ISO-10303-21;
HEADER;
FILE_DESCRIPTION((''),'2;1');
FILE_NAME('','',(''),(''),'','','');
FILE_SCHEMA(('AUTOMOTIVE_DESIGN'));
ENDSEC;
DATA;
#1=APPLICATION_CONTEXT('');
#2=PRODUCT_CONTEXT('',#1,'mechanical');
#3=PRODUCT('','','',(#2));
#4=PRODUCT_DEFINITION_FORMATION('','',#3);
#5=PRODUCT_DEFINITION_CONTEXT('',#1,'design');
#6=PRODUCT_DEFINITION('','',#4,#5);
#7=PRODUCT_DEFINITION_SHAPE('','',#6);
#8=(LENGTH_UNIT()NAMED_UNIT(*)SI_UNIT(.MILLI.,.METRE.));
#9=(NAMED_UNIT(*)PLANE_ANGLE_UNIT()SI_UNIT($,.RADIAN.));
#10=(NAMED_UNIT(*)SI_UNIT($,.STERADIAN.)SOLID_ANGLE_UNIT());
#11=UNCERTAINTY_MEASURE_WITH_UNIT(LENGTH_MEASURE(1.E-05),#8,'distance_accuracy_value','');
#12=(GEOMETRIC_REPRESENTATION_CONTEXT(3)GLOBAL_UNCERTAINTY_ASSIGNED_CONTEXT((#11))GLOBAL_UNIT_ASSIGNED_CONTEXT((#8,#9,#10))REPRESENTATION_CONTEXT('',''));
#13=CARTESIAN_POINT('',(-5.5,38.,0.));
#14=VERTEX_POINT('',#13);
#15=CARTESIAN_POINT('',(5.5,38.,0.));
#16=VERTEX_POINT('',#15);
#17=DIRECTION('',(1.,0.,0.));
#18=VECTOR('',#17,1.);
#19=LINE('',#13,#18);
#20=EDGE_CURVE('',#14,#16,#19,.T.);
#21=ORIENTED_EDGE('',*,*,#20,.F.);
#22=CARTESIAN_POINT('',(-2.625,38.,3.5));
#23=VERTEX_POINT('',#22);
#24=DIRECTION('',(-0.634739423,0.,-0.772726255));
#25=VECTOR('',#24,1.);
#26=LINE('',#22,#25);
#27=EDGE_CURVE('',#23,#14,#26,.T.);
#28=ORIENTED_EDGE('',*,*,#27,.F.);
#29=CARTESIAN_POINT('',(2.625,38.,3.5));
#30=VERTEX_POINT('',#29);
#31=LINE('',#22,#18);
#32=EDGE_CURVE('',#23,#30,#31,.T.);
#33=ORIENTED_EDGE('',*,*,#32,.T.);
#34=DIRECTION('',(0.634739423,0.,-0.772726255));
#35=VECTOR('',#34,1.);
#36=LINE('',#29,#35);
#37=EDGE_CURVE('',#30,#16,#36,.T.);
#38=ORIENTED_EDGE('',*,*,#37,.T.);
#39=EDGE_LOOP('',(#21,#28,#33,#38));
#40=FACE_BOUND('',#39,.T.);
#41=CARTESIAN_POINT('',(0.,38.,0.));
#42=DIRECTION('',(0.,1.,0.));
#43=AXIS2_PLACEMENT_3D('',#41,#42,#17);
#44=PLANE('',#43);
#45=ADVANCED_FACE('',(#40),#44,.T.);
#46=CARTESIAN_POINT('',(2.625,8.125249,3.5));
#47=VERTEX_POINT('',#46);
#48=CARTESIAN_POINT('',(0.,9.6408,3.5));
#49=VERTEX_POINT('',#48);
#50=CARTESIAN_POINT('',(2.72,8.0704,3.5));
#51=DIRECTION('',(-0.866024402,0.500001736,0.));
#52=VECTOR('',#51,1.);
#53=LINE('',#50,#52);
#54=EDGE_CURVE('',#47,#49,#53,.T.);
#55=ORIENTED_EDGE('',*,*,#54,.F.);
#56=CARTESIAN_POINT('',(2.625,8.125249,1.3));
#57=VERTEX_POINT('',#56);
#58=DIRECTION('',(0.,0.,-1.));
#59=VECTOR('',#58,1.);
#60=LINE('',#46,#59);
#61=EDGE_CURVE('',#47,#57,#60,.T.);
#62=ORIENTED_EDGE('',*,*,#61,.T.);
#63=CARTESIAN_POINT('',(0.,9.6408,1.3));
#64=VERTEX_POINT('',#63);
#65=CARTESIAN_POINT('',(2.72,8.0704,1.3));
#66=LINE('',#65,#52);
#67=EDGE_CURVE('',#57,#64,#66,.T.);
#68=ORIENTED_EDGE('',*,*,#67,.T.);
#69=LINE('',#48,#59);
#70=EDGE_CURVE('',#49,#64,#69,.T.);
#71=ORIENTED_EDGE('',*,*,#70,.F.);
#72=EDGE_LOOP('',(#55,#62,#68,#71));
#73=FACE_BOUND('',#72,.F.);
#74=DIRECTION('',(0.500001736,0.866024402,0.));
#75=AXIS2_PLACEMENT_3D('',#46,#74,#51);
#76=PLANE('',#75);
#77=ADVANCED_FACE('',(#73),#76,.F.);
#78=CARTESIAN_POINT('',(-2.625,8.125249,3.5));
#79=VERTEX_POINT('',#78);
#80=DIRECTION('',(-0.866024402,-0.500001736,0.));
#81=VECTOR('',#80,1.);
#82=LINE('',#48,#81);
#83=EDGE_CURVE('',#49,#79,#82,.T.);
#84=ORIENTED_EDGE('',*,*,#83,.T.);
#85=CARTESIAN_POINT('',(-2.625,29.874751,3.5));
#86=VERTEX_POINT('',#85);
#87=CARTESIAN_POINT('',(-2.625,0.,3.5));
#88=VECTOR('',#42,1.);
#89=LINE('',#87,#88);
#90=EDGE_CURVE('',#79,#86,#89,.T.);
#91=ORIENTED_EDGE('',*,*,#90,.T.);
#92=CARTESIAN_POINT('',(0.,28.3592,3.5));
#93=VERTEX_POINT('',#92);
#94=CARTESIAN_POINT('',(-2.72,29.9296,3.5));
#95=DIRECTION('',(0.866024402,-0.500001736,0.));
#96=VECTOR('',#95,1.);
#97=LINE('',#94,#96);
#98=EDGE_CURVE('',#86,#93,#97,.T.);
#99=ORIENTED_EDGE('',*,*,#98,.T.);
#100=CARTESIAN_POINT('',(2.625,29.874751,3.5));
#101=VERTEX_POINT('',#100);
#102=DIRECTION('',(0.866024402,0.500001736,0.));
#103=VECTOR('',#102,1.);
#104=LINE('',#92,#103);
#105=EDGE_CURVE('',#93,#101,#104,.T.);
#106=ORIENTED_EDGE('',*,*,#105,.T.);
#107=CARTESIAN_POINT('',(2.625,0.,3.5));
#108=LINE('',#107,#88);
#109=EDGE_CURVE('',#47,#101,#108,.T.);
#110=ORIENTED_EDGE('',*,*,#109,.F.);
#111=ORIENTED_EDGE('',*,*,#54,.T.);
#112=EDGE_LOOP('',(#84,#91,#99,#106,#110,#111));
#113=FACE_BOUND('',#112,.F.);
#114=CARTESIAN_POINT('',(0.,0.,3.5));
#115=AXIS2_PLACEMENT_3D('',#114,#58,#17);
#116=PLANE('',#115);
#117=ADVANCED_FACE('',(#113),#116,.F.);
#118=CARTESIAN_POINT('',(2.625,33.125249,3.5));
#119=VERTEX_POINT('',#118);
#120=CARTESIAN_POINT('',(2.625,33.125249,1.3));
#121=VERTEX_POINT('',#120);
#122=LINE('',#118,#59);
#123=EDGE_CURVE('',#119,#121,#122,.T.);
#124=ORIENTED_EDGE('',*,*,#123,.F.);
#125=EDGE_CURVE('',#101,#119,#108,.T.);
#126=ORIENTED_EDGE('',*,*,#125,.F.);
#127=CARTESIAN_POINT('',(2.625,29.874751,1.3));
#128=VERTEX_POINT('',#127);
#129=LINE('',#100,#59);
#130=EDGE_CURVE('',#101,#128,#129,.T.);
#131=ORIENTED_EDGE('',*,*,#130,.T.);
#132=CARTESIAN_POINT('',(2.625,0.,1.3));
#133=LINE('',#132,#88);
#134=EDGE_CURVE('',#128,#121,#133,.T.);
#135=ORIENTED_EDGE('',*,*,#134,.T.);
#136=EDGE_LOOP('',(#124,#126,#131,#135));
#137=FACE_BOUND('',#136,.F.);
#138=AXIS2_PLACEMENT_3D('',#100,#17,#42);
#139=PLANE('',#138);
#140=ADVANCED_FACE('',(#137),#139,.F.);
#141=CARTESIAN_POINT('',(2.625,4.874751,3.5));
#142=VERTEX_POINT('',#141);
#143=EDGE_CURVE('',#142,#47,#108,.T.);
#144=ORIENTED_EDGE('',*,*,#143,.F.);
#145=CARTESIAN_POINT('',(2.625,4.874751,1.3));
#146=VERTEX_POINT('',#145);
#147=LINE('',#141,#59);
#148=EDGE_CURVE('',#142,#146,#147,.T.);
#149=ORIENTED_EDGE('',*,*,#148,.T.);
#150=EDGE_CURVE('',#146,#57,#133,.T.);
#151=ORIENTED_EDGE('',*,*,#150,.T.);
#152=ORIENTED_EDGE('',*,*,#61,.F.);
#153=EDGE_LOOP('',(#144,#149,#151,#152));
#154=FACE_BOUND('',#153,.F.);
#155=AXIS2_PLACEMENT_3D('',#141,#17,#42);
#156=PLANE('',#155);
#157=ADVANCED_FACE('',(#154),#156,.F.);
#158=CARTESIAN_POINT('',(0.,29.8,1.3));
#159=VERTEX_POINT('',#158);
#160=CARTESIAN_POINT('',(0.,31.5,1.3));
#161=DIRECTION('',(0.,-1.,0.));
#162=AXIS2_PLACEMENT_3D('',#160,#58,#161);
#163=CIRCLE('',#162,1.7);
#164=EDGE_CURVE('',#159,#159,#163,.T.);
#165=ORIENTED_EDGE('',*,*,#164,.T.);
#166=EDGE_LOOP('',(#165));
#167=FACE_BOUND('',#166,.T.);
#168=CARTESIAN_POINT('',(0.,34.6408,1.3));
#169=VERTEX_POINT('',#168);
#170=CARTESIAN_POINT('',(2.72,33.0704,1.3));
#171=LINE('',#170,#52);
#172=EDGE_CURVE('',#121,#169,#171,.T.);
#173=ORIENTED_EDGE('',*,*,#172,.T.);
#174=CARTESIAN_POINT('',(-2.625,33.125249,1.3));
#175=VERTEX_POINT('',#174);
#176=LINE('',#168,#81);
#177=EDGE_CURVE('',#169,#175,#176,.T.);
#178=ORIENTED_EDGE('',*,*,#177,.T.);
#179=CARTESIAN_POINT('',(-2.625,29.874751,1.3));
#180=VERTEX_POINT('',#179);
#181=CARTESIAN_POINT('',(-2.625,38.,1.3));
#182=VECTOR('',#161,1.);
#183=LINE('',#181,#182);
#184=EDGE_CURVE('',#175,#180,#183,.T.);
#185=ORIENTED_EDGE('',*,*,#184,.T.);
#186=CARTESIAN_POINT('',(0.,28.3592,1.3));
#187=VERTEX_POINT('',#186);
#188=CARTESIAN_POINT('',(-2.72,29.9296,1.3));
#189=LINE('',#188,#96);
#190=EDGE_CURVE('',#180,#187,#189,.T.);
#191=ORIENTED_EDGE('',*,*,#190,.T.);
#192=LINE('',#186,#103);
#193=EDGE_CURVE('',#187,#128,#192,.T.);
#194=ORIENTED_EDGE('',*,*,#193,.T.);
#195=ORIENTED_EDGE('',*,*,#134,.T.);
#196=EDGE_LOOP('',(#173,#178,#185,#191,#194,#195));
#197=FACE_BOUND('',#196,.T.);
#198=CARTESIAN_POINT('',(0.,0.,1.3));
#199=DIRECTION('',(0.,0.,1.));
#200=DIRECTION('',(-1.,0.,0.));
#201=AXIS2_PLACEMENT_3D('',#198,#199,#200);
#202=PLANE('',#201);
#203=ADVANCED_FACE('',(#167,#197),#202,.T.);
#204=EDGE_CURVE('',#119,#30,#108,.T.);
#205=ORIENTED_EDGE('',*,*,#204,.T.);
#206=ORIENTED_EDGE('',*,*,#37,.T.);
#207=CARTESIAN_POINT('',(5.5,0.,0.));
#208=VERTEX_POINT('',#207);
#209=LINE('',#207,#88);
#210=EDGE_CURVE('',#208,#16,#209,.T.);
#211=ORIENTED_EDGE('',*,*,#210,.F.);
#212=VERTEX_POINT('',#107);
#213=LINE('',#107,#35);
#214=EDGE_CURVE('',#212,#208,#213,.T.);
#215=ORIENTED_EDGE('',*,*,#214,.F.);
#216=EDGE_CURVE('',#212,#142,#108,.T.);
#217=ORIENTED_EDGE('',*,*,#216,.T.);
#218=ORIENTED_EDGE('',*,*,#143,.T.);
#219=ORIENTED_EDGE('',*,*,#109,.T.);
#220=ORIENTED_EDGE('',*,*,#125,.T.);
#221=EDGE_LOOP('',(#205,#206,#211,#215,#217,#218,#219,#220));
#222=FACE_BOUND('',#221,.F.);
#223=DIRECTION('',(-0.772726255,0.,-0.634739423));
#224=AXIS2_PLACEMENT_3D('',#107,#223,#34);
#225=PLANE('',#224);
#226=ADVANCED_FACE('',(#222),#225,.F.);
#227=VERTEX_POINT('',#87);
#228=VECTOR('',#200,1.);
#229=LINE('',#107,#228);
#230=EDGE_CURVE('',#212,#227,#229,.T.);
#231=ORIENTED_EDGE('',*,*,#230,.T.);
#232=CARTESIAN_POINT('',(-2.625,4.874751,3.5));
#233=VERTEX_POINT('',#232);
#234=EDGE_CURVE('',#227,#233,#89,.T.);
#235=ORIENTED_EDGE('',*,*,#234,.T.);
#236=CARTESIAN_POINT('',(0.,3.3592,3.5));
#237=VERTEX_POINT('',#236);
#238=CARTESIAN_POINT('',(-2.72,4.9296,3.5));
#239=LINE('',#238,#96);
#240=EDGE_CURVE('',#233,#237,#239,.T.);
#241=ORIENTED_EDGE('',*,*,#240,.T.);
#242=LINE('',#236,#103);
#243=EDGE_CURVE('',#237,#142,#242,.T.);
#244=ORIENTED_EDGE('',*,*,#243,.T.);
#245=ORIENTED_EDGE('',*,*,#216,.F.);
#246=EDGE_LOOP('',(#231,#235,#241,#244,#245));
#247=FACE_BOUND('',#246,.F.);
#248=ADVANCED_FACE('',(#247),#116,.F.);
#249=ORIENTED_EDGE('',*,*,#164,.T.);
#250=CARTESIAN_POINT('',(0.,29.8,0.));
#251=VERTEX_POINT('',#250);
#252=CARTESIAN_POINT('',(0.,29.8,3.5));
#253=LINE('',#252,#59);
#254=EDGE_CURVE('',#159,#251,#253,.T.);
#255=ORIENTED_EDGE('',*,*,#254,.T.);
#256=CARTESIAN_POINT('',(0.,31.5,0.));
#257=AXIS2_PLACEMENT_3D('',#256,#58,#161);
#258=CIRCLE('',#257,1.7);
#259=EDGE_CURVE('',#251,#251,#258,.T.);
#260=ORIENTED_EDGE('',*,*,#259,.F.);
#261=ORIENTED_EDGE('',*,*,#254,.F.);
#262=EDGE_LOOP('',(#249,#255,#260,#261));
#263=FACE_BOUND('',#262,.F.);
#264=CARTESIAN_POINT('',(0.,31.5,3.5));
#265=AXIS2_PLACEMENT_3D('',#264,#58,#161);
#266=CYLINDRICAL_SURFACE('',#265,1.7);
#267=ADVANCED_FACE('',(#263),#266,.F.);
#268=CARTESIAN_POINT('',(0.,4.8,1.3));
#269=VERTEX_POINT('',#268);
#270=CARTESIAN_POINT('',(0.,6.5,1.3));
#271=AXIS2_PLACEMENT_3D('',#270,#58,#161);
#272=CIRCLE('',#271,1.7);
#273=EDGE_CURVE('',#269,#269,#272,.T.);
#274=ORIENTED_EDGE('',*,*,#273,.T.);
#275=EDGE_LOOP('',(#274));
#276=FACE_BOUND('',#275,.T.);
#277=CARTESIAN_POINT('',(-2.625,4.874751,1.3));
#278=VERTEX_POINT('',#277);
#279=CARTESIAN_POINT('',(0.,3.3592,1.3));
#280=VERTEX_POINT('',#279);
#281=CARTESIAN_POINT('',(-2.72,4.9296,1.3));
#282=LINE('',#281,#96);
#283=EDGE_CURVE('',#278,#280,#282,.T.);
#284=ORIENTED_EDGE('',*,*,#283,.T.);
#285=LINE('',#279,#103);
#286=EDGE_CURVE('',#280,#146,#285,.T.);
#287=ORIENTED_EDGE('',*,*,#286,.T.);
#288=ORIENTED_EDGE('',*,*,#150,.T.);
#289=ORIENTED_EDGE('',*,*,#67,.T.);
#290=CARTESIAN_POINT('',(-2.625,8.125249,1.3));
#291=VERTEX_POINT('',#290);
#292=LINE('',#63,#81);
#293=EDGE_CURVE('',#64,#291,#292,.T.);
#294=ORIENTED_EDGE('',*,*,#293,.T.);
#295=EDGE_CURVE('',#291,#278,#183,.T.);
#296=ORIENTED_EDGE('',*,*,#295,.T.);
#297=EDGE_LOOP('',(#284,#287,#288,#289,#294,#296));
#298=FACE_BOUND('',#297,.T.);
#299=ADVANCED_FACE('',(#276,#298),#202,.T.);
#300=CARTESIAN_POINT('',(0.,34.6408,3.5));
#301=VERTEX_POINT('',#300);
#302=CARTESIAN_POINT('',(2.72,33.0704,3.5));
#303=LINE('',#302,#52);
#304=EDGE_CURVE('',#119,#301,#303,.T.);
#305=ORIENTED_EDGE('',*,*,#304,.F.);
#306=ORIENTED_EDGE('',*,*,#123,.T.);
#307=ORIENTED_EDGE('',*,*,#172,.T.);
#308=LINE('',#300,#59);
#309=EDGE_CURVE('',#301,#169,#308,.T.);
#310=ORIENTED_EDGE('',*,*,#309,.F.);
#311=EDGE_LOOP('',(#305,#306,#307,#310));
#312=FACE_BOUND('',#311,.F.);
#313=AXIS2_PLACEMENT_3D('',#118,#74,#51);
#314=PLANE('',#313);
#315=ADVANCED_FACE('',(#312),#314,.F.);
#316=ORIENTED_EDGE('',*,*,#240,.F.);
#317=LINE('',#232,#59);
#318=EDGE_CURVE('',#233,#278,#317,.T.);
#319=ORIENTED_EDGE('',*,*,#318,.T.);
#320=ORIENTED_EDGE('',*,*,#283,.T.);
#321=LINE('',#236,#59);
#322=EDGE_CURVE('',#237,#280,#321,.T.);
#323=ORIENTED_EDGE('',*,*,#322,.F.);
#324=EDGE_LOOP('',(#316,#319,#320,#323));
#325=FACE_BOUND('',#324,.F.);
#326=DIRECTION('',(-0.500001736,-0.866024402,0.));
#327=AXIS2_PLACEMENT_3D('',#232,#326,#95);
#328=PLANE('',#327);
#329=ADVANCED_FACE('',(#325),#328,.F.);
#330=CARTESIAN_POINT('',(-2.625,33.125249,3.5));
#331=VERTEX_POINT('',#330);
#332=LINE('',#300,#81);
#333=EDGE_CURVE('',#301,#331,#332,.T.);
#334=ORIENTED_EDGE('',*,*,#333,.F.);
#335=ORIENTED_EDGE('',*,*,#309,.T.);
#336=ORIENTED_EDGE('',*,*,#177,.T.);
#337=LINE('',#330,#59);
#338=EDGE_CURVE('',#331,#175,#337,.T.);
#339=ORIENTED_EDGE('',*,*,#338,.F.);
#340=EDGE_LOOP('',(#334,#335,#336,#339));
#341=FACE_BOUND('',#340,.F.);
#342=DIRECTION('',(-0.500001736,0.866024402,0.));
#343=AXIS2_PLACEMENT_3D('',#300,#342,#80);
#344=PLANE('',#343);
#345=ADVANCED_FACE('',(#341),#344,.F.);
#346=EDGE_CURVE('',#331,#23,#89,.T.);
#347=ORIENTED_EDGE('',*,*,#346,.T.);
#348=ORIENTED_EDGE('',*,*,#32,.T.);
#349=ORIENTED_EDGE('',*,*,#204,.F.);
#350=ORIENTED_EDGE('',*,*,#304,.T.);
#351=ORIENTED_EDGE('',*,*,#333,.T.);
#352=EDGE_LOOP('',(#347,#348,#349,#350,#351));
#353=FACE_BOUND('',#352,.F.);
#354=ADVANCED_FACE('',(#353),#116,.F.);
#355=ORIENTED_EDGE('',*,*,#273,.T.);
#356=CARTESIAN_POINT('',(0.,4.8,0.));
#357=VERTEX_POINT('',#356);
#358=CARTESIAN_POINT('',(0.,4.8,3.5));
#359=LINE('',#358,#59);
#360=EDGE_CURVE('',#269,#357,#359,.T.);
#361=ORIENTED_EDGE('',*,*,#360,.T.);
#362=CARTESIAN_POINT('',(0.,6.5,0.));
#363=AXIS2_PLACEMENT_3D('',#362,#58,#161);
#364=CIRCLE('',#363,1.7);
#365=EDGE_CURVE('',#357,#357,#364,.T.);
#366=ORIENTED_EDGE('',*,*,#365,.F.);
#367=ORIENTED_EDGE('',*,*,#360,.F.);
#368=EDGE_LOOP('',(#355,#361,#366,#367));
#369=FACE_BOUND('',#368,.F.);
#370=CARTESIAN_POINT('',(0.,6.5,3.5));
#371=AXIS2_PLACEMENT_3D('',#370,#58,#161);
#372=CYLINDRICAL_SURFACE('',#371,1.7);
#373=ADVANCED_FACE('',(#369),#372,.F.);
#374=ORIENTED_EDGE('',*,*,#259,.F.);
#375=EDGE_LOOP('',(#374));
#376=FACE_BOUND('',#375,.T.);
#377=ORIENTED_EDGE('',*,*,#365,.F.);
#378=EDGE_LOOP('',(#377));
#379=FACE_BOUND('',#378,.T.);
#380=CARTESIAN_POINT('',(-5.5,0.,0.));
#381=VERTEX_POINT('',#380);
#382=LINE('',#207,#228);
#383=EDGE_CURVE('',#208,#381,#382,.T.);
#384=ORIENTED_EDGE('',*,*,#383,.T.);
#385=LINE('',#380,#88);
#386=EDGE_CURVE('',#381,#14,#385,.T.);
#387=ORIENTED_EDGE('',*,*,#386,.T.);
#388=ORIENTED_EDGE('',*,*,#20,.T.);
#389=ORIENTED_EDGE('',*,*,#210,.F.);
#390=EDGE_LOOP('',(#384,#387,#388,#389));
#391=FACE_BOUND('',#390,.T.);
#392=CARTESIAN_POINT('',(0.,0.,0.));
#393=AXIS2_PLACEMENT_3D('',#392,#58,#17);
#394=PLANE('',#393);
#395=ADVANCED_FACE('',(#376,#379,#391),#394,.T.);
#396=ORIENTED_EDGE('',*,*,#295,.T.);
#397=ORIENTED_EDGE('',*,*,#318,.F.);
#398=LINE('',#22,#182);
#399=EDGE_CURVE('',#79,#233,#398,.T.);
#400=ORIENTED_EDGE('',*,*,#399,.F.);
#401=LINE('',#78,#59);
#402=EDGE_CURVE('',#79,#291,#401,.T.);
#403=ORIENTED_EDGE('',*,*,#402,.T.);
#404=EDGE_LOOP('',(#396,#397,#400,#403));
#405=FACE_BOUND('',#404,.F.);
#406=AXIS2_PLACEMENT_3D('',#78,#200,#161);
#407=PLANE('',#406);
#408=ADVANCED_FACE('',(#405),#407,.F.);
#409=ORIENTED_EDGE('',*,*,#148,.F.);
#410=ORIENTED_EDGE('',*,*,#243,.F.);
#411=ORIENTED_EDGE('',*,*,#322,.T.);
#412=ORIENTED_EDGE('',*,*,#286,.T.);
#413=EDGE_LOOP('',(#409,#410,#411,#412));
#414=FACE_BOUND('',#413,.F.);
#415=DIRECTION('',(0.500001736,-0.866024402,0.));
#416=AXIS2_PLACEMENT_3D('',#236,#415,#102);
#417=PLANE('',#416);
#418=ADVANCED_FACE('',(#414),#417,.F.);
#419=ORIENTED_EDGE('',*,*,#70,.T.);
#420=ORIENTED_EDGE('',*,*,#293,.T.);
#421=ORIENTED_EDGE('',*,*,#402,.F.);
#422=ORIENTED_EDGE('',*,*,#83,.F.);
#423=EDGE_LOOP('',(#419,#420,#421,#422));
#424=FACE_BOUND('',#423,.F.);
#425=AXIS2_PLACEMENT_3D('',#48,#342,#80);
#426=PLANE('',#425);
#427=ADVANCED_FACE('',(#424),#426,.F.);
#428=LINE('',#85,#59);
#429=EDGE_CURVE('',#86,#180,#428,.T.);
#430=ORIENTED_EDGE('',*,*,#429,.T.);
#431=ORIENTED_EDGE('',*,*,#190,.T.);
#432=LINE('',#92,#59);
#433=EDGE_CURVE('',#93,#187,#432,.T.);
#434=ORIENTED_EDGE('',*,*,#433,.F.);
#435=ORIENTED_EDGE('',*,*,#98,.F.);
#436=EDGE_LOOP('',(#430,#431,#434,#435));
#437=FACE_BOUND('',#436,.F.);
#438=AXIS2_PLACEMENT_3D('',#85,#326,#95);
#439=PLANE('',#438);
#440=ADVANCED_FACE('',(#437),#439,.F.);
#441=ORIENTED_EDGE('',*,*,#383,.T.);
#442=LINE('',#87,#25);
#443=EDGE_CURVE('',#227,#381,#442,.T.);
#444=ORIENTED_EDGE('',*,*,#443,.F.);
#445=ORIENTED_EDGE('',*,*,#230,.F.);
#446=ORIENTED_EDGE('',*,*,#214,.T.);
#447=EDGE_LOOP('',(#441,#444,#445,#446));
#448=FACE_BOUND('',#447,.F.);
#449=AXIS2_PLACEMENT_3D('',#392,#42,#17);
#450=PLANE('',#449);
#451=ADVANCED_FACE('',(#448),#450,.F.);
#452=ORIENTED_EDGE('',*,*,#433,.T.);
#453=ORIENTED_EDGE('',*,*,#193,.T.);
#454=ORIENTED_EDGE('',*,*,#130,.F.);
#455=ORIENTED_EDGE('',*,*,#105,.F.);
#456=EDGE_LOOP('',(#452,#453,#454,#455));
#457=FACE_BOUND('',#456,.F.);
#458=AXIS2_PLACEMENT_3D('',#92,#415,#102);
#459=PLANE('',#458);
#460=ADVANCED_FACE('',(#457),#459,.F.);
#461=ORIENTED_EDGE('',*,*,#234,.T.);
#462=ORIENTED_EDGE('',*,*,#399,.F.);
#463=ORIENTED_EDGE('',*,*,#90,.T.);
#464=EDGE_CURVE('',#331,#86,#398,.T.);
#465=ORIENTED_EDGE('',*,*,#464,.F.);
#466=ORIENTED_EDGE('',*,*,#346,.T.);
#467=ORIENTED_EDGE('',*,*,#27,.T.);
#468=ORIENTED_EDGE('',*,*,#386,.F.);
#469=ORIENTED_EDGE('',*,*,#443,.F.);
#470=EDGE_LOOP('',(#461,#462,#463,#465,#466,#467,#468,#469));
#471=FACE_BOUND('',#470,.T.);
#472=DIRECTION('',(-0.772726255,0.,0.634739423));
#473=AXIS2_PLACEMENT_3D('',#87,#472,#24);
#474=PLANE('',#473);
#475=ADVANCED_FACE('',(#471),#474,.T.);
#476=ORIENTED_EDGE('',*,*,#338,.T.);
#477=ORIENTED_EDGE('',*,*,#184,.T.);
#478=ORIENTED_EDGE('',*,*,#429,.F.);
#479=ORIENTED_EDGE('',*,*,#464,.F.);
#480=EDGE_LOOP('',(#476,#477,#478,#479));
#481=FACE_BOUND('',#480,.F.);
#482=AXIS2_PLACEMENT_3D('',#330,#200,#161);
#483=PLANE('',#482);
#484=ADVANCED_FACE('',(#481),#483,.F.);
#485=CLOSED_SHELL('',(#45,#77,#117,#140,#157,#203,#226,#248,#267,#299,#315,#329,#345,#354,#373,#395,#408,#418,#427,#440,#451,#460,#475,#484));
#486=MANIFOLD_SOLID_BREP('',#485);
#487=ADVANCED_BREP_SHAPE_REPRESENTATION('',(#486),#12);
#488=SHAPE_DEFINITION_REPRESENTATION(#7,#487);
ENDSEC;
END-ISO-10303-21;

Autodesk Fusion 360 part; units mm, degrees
sketch "Sketch1" plane through (0, 0, 0) normal (0, 1, 0) x (1, 0, 0)
  line L0 (0, 0) -> (5.5, 0)
  line L1 (0, -3.5) -> (2.625, -3.5)
  line L2 (2.625, -3.5) -> (5.5, 0)
  line L3 (0, -1.75) -> (0, -22.5)
  line L4 (0, -3.5) -> (-2.625, -3.5)
  line L5 (-2.625, -3.5) -> (-5.5, 0)
  line L6 (0, 0) -> (-5.5, 0)
  dimension "d1" = 5.5
  dimension "d2" = 2.625
  dimension "d3" = 3.5
extrude "Extrude1" add sketch "Sketch1" along normal blind 38
sketch "Sketch2" plane through (0, 0, 3.5) normal (0, 0, 1) x (-1, 0, 0)
  line L0 (2.625, 0) -> (-2.625, 0)
  line L1 (-2.625, 0) -> (-2.625, -38)
  line L2 (-2.625, -38) -> (2.625, -38)
  line L3 (2.625, -38) -> (2.625, 0)
  line L4 (0, -38) -> (0, 0) construction
  line L5 (2.72, -29.9296) -> (0, -28.3592)
  line L6 (0, -28.3592) -> (-2.72, -29.9296)
  line L7 (-2.72, -29.9296) -> (-2.72, -33.0704)
  line L8 (-2.72, -33.0704) -> (0, -34.6408)
  line L9 (0, -34.6408) -> (2.72, -33.0704)
  line L10 (2.72, -33.0704) -> (2.72, -29.9296)
  line L11 (2.72, -4.9296) -> (0, -3.3592)
  line L12 (0, -3.3592) -> (-2.72, -4.9296)
  line L13 (-2.72, -4.9296) -> (-2.72, -8.0704)
  line L14 (-2.72, -8.0704) -> (0, -9.6408)
  line L15 (0, -9.6408) -> (2.72, -8.0704)
  line L16 (2.72, -8.0704) -> (2.72, -4.9296)
  point P0 (0, -31.5)
  point P1 (0, -6.5)
  dimension "d6" = 2.72
  dimension "d7" = 2.72
  dimension "d8" = 25
  dimension "d9" = 6.5
extrude "Extrude2" cut sketch "Sketch2" against normal blind 2.2 contours L1 L3 L11 L12 L14 L15 | L1 L3 L5 L6 L8 L9
hole "Hole1" at (0, 31.5, 3.5) at (0, 6.5, 3.5) direction (0, 0, -1) diameter 3.4 depth 16 tip angle 118
equation "d2 = ( 5.25 / 2 ) * 1 mm"
equation "d6 = ( 5.44 / 2 ) * 1 mm"
equation "d7 = ( 5.44 / 2 ) * 1 mm"
